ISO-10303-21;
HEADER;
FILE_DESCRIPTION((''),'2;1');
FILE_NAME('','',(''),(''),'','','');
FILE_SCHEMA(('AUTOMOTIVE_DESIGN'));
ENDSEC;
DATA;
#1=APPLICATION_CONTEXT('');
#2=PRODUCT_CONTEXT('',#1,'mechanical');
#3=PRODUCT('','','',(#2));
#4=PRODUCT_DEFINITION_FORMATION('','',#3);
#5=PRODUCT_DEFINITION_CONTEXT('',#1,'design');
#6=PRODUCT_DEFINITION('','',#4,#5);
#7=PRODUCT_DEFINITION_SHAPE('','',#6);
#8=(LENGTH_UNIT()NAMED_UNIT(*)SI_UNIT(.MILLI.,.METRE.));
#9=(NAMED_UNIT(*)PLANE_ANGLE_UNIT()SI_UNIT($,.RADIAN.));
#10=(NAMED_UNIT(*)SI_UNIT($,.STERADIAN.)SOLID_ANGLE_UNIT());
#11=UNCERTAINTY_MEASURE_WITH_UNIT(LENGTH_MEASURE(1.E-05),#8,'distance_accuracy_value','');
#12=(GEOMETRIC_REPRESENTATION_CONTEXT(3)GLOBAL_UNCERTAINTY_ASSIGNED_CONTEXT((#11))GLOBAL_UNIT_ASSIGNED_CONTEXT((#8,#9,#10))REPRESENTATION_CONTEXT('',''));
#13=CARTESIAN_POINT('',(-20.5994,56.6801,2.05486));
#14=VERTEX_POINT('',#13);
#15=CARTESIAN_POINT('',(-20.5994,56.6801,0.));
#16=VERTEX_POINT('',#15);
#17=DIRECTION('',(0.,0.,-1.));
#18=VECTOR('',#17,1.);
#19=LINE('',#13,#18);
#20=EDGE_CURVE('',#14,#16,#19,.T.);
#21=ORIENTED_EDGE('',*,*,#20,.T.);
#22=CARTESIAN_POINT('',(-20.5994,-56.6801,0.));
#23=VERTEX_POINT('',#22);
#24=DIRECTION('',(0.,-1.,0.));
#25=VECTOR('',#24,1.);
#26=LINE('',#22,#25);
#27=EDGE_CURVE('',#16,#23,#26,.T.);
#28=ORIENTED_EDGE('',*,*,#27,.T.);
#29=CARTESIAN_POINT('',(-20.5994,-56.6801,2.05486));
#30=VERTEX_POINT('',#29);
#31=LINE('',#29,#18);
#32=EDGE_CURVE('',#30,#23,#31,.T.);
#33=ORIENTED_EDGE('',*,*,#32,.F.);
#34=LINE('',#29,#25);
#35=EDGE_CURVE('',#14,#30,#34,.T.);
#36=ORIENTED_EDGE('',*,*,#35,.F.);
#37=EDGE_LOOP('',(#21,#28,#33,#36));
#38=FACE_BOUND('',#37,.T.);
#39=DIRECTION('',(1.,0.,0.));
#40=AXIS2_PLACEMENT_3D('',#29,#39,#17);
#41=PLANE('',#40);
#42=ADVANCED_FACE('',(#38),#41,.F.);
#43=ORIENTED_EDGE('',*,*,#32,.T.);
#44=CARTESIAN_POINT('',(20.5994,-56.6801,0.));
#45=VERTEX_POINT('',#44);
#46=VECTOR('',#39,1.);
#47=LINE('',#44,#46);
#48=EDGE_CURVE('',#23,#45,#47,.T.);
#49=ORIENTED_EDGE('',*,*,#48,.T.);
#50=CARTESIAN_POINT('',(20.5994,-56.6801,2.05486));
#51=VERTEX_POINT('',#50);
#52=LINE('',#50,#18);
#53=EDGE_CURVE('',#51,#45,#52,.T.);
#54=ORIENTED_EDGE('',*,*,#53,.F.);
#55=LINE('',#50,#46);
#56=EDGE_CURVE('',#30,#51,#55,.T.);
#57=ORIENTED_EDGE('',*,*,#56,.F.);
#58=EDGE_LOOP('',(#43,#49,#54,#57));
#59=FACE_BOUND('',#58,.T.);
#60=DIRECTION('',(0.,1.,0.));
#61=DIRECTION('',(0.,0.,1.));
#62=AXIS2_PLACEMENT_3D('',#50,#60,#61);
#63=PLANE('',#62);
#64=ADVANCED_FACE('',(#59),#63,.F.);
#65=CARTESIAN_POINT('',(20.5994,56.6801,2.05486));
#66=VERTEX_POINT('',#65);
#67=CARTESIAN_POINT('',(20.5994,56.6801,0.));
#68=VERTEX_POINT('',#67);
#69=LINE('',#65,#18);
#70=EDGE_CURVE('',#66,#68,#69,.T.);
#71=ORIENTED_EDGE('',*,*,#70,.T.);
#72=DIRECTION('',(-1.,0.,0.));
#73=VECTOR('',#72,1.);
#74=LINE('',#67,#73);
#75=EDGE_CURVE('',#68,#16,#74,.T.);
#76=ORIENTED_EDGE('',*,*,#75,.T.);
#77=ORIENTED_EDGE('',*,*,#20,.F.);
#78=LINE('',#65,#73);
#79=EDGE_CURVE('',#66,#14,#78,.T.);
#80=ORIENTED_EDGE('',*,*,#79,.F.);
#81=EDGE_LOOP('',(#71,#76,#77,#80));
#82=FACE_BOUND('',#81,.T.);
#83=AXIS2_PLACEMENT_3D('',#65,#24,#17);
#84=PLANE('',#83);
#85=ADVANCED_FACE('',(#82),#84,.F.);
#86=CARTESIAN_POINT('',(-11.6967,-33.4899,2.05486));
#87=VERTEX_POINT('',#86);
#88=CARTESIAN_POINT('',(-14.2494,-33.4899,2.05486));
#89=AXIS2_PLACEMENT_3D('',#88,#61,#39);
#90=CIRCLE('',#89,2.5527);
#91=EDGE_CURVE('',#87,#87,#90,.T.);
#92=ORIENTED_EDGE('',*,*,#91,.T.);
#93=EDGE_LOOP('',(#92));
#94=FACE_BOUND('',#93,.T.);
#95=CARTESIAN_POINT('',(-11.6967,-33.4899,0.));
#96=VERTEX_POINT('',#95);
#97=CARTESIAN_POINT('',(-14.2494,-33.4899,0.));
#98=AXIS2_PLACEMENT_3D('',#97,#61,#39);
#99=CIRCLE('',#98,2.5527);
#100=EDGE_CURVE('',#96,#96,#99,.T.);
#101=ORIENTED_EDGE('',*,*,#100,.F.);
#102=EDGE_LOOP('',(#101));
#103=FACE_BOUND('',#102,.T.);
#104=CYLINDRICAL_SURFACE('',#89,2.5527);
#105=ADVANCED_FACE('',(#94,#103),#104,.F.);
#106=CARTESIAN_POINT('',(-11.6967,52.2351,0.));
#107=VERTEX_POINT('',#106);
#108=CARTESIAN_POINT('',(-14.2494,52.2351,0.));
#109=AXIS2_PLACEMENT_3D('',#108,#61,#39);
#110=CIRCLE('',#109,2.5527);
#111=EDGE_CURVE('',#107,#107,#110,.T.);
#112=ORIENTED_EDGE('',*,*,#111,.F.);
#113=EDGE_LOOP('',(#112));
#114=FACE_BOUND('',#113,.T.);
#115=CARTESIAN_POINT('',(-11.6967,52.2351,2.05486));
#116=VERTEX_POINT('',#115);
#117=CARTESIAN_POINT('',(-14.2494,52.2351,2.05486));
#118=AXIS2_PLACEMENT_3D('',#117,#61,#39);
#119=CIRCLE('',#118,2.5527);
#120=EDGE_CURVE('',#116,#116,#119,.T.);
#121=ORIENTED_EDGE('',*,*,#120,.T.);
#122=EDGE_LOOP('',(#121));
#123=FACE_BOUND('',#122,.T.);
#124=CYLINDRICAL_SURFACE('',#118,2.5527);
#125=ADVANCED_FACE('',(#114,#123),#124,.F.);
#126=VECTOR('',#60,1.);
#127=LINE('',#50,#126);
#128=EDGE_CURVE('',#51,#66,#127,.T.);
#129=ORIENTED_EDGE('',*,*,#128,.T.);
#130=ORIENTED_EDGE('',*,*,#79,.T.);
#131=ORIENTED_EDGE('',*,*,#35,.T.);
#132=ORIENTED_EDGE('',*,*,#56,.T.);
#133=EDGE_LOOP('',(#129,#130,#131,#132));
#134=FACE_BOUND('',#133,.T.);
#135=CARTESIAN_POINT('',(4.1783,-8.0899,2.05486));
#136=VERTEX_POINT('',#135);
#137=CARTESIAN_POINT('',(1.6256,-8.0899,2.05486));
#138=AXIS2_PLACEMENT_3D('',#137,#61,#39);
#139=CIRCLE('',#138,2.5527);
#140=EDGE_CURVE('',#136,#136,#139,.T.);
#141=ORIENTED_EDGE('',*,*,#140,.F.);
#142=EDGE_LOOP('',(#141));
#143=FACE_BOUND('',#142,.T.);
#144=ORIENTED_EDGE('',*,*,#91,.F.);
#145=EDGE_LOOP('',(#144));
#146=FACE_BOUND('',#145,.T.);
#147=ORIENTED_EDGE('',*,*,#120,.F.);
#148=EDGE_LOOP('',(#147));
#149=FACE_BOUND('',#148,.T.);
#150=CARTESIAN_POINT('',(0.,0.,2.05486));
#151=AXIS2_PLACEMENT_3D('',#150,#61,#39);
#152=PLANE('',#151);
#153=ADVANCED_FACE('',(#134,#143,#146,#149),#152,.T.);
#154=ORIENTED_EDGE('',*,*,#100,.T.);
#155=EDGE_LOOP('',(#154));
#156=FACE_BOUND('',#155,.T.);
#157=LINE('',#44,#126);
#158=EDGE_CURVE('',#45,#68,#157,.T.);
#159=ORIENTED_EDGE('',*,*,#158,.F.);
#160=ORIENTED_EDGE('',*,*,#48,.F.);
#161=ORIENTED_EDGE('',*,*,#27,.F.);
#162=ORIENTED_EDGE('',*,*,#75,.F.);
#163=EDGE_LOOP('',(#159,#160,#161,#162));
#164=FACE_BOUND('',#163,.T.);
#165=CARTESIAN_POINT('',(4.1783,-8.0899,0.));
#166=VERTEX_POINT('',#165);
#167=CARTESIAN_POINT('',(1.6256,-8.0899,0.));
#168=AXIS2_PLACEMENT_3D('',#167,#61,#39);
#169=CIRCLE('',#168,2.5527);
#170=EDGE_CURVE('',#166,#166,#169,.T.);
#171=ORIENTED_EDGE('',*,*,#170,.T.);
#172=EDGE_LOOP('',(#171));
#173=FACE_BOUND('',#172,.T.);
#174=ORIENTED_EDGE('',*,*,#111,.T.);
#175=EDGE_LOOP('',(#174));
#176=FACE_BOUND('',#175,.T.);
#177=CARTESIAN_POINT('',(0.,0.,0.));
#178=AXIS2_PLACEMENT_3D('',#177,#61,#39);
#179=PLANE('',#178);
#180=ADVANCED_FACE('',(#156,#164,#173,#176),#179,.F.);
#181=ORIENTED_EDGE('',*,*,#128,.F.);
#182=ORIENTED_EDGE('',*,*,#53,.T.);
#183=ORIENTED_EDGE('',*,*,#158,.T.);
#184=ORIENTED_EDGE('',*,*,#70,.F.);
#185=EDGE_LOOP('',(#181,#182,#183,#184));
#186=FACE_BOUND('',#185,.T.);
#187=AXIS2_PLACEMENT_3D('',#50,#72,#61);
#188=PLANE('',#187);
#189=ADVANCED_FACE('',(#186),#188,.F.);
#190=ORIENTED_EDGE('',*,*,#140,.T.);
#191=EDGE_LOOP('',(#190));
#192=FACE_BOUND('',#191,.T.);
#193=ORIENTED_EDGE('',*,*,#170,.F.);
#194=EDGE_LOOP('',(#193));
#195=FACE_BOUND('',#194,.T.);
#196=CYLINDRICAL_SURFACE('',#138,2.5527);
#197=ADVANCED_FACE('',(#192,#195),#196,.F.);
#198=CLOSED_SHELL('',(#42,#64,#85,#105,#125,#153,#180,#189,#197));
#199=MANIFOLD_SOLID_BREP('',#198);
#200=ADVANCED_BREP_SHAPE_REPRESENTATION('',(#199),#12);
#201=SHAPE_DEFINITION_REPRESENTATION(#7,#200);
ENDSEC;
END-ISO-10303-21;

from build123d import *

# Parameters (mm, degrees)
SKETCH1_W              = 41.1988
SKETCH1_H              = 113.3602
BOSS_EXTRUDE1_DEPTH    = 2.05486
F_10_CLEARANCE_HOLE1_D = 5.1054


with BuildPart() as part:
    # Sketch1 → Boss-Extrude1 (new body)
    with BuildSketch(Plane.XY):
        Rectangle(SKETCH1_W, SKETCH1_H)
    extrude(amount=BOSS_EXTRUDE1_DEPTH)

    # #10 Clearance Hole1 (through all)
    with Locations(Plane.XY.offset(2.05486)):
        with Locations((-14.2494, 52.2351), (1.6256, -8.0899), (-14.2494, -33.4899)):
            Hole(F_10_CLEARANCE_HOLE1_D / 2)


solid = part.part
